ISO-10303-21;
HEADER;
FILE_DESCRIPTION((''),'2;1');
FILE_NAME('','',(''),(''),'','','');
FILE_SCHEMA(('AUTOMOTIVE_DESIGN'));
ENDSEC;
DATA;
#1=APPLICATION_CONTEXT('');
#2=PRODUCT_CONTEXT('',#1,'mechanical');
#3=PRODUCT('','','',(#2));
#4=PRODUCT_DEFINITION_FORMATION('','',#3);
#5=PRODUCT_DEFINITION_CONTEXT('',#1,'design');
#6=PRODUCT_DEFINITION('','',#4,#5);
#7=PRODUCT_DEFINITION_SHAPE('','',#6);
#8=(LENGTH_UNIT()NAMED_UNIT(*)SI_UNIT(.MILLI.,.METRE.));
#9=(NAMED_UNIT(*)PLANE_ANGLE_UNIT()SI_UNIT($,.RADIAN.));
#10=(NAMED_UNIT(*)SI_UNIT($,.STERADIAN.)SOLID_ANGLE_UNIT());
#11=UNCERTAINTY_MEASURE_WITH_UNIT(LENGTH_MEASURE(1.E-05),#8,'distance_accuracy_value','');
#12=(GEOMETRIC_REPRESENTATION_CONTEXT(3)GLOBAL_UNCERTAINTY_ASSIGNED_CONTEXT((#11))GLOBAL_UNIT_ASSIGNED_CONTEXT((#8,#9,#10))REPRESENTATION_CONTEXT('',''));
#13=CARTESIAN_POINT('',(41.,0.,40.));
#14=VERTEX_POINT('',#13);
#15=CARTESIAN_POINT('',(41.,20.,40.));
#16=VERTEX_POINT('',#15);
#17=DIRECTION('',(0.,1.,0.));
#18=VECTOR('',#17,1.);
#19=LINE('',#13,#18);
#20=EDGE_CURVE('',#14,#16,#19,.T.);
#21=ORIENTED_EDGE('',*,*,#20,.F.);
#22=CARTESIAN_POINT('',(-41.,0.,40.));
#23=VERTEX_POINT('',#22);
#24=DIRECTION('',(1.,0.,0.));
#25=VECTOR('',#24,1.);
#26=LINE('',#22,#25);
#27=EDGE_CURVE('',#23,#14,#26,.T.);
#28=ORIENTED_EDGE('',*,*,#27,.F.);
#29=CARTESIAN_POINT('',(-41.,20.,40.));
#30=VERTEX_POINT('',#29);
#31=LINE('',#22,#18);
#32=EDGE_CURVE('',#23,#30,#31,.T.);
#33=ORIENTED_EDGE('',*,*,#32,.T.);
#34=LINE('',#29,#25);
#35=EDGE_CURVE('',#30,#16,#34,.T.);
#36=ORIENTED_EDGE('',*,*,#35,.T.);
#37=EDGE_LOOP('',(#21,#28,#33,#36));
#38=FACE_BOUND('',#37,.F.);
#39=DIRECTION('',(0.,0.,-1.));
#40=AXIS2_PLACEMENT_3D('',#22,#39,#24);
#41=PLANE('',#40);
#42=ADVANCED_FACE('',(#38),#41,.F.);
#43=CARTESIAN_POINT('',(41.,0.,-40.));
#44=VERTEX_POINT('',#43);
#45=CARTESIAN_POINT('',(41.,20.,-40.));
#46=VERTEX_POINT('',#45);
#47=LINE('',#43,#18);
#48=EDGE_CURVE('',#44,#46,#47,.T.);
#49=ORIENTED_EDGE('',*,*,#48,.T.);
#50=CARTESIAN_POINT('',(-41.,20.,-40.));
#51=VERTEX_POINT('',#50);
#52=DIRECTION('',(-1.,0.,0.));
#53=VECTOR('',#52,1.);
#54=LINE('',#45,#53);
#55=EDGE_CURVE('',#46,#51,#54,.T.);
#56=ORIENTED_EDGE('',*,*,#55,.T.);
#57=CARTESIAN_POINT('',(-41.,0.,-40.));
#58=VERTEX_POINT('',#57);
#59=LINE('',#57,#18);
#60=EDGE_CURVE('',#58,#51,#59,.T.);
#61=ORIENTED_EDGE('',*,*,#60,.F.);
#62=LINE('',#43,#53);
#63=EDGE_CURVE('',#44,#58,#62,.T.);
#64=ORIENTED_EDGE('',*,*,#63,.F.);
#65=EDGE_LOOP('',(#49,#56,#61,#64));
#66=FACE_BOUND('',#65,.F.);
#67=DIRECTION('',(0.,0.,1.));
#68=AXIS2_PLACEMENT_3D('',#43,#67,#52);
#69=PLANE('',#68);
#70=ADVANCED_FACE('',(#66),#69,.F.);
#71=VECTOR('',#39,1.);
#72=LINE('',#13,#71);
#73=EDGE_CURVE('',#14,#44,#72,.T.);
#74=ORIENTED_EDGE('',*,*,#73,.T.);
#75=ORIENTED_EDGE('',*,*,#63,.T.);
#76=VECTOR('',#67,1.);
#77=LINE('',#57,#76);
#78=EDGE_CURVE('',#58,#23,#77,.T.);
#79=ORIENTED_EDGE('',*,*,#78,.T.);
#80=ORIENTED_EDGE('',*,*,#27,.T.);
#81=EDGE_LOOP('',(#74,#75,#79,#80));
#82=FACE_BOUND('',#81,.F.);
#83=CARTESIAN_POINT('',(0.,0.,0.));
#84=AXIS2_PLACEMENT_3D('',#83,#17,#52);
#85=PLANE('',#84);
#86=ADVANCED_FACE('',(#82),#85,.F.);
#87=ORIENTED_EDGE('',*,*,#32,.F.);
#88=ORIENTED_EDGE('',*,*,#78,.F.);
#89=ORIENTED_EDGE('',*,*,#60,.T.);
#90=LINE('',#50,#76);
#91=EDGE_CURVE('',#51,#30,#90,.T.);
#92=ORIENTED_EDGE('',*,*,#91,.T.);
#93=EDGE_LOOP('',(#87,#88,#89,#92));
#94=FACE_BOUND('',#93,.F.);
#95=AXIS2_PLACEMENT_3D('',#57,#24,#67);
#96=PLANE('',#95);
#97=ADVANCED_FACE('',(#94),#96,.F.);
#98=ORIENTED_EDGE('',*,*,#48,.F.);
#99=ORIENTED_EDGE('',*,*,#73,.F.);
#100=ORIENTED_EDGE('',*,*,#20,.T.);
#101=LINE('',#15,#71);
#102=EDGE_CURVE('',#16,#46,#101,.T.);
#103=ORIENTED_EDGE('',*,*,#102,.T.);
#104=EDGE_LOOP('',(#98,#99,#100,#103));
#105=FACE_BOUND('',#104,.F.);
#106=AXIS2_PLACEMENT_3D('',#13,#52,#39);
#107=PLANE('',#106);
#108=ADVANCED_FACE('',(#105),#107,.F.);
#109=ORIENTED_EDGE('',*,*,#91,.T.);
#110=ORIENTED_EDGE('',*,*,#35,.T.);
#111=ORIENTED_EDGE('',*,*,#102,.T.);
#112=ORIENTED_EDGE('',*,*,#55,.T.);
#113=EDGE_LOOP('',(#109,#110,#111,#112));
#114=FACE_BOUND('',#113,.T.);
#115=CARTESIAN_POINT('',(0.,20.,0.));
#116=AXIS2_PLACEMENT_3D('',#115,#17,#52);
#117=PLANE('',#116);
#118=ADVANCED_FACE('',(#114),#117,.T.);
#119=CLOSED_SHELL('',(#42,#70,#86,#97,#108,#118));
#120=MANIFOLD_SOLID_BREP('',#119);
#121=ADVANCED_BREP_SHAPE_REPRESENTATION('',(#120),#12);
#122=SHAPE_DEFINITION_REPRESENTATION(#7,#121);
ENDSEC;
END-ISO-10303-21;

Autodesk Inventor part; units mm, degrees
ref_plane "YZ Plane" through (0, 0, 0) normal (1, 0, 0) x (0, 1, 0)
ref_plane "XZ Plane" through (0, 0, 0) normal (0, 1, 0) x (-1, 0, 0)
ref_plane "XY Plane" through (0, 0, 0) normal (0, 0, 1) x (1, 0, 0)
sketch "Sketch1" plane through (0, 0, 0) normal (0, 1, 0) x (-1, 0, 0)
  line L0 (41, 40) -> (-41, 40)
  line L1 (-41, 40) -> (-41, -40)
  line L2 (-41, -40) -> (41, -40)
  line L3 (41, -40) -> (41, 40)
  line L4 (41, 0) -> (-41, 0) construction
  point P0 (0, 0)
  point P1 (0, 0)
  dimension "d0" = 80
  dimension "d1" = 82
extrude "Extrusion1" add sketch "Sketch1" along normal blind 20
properties part number "BMS"
